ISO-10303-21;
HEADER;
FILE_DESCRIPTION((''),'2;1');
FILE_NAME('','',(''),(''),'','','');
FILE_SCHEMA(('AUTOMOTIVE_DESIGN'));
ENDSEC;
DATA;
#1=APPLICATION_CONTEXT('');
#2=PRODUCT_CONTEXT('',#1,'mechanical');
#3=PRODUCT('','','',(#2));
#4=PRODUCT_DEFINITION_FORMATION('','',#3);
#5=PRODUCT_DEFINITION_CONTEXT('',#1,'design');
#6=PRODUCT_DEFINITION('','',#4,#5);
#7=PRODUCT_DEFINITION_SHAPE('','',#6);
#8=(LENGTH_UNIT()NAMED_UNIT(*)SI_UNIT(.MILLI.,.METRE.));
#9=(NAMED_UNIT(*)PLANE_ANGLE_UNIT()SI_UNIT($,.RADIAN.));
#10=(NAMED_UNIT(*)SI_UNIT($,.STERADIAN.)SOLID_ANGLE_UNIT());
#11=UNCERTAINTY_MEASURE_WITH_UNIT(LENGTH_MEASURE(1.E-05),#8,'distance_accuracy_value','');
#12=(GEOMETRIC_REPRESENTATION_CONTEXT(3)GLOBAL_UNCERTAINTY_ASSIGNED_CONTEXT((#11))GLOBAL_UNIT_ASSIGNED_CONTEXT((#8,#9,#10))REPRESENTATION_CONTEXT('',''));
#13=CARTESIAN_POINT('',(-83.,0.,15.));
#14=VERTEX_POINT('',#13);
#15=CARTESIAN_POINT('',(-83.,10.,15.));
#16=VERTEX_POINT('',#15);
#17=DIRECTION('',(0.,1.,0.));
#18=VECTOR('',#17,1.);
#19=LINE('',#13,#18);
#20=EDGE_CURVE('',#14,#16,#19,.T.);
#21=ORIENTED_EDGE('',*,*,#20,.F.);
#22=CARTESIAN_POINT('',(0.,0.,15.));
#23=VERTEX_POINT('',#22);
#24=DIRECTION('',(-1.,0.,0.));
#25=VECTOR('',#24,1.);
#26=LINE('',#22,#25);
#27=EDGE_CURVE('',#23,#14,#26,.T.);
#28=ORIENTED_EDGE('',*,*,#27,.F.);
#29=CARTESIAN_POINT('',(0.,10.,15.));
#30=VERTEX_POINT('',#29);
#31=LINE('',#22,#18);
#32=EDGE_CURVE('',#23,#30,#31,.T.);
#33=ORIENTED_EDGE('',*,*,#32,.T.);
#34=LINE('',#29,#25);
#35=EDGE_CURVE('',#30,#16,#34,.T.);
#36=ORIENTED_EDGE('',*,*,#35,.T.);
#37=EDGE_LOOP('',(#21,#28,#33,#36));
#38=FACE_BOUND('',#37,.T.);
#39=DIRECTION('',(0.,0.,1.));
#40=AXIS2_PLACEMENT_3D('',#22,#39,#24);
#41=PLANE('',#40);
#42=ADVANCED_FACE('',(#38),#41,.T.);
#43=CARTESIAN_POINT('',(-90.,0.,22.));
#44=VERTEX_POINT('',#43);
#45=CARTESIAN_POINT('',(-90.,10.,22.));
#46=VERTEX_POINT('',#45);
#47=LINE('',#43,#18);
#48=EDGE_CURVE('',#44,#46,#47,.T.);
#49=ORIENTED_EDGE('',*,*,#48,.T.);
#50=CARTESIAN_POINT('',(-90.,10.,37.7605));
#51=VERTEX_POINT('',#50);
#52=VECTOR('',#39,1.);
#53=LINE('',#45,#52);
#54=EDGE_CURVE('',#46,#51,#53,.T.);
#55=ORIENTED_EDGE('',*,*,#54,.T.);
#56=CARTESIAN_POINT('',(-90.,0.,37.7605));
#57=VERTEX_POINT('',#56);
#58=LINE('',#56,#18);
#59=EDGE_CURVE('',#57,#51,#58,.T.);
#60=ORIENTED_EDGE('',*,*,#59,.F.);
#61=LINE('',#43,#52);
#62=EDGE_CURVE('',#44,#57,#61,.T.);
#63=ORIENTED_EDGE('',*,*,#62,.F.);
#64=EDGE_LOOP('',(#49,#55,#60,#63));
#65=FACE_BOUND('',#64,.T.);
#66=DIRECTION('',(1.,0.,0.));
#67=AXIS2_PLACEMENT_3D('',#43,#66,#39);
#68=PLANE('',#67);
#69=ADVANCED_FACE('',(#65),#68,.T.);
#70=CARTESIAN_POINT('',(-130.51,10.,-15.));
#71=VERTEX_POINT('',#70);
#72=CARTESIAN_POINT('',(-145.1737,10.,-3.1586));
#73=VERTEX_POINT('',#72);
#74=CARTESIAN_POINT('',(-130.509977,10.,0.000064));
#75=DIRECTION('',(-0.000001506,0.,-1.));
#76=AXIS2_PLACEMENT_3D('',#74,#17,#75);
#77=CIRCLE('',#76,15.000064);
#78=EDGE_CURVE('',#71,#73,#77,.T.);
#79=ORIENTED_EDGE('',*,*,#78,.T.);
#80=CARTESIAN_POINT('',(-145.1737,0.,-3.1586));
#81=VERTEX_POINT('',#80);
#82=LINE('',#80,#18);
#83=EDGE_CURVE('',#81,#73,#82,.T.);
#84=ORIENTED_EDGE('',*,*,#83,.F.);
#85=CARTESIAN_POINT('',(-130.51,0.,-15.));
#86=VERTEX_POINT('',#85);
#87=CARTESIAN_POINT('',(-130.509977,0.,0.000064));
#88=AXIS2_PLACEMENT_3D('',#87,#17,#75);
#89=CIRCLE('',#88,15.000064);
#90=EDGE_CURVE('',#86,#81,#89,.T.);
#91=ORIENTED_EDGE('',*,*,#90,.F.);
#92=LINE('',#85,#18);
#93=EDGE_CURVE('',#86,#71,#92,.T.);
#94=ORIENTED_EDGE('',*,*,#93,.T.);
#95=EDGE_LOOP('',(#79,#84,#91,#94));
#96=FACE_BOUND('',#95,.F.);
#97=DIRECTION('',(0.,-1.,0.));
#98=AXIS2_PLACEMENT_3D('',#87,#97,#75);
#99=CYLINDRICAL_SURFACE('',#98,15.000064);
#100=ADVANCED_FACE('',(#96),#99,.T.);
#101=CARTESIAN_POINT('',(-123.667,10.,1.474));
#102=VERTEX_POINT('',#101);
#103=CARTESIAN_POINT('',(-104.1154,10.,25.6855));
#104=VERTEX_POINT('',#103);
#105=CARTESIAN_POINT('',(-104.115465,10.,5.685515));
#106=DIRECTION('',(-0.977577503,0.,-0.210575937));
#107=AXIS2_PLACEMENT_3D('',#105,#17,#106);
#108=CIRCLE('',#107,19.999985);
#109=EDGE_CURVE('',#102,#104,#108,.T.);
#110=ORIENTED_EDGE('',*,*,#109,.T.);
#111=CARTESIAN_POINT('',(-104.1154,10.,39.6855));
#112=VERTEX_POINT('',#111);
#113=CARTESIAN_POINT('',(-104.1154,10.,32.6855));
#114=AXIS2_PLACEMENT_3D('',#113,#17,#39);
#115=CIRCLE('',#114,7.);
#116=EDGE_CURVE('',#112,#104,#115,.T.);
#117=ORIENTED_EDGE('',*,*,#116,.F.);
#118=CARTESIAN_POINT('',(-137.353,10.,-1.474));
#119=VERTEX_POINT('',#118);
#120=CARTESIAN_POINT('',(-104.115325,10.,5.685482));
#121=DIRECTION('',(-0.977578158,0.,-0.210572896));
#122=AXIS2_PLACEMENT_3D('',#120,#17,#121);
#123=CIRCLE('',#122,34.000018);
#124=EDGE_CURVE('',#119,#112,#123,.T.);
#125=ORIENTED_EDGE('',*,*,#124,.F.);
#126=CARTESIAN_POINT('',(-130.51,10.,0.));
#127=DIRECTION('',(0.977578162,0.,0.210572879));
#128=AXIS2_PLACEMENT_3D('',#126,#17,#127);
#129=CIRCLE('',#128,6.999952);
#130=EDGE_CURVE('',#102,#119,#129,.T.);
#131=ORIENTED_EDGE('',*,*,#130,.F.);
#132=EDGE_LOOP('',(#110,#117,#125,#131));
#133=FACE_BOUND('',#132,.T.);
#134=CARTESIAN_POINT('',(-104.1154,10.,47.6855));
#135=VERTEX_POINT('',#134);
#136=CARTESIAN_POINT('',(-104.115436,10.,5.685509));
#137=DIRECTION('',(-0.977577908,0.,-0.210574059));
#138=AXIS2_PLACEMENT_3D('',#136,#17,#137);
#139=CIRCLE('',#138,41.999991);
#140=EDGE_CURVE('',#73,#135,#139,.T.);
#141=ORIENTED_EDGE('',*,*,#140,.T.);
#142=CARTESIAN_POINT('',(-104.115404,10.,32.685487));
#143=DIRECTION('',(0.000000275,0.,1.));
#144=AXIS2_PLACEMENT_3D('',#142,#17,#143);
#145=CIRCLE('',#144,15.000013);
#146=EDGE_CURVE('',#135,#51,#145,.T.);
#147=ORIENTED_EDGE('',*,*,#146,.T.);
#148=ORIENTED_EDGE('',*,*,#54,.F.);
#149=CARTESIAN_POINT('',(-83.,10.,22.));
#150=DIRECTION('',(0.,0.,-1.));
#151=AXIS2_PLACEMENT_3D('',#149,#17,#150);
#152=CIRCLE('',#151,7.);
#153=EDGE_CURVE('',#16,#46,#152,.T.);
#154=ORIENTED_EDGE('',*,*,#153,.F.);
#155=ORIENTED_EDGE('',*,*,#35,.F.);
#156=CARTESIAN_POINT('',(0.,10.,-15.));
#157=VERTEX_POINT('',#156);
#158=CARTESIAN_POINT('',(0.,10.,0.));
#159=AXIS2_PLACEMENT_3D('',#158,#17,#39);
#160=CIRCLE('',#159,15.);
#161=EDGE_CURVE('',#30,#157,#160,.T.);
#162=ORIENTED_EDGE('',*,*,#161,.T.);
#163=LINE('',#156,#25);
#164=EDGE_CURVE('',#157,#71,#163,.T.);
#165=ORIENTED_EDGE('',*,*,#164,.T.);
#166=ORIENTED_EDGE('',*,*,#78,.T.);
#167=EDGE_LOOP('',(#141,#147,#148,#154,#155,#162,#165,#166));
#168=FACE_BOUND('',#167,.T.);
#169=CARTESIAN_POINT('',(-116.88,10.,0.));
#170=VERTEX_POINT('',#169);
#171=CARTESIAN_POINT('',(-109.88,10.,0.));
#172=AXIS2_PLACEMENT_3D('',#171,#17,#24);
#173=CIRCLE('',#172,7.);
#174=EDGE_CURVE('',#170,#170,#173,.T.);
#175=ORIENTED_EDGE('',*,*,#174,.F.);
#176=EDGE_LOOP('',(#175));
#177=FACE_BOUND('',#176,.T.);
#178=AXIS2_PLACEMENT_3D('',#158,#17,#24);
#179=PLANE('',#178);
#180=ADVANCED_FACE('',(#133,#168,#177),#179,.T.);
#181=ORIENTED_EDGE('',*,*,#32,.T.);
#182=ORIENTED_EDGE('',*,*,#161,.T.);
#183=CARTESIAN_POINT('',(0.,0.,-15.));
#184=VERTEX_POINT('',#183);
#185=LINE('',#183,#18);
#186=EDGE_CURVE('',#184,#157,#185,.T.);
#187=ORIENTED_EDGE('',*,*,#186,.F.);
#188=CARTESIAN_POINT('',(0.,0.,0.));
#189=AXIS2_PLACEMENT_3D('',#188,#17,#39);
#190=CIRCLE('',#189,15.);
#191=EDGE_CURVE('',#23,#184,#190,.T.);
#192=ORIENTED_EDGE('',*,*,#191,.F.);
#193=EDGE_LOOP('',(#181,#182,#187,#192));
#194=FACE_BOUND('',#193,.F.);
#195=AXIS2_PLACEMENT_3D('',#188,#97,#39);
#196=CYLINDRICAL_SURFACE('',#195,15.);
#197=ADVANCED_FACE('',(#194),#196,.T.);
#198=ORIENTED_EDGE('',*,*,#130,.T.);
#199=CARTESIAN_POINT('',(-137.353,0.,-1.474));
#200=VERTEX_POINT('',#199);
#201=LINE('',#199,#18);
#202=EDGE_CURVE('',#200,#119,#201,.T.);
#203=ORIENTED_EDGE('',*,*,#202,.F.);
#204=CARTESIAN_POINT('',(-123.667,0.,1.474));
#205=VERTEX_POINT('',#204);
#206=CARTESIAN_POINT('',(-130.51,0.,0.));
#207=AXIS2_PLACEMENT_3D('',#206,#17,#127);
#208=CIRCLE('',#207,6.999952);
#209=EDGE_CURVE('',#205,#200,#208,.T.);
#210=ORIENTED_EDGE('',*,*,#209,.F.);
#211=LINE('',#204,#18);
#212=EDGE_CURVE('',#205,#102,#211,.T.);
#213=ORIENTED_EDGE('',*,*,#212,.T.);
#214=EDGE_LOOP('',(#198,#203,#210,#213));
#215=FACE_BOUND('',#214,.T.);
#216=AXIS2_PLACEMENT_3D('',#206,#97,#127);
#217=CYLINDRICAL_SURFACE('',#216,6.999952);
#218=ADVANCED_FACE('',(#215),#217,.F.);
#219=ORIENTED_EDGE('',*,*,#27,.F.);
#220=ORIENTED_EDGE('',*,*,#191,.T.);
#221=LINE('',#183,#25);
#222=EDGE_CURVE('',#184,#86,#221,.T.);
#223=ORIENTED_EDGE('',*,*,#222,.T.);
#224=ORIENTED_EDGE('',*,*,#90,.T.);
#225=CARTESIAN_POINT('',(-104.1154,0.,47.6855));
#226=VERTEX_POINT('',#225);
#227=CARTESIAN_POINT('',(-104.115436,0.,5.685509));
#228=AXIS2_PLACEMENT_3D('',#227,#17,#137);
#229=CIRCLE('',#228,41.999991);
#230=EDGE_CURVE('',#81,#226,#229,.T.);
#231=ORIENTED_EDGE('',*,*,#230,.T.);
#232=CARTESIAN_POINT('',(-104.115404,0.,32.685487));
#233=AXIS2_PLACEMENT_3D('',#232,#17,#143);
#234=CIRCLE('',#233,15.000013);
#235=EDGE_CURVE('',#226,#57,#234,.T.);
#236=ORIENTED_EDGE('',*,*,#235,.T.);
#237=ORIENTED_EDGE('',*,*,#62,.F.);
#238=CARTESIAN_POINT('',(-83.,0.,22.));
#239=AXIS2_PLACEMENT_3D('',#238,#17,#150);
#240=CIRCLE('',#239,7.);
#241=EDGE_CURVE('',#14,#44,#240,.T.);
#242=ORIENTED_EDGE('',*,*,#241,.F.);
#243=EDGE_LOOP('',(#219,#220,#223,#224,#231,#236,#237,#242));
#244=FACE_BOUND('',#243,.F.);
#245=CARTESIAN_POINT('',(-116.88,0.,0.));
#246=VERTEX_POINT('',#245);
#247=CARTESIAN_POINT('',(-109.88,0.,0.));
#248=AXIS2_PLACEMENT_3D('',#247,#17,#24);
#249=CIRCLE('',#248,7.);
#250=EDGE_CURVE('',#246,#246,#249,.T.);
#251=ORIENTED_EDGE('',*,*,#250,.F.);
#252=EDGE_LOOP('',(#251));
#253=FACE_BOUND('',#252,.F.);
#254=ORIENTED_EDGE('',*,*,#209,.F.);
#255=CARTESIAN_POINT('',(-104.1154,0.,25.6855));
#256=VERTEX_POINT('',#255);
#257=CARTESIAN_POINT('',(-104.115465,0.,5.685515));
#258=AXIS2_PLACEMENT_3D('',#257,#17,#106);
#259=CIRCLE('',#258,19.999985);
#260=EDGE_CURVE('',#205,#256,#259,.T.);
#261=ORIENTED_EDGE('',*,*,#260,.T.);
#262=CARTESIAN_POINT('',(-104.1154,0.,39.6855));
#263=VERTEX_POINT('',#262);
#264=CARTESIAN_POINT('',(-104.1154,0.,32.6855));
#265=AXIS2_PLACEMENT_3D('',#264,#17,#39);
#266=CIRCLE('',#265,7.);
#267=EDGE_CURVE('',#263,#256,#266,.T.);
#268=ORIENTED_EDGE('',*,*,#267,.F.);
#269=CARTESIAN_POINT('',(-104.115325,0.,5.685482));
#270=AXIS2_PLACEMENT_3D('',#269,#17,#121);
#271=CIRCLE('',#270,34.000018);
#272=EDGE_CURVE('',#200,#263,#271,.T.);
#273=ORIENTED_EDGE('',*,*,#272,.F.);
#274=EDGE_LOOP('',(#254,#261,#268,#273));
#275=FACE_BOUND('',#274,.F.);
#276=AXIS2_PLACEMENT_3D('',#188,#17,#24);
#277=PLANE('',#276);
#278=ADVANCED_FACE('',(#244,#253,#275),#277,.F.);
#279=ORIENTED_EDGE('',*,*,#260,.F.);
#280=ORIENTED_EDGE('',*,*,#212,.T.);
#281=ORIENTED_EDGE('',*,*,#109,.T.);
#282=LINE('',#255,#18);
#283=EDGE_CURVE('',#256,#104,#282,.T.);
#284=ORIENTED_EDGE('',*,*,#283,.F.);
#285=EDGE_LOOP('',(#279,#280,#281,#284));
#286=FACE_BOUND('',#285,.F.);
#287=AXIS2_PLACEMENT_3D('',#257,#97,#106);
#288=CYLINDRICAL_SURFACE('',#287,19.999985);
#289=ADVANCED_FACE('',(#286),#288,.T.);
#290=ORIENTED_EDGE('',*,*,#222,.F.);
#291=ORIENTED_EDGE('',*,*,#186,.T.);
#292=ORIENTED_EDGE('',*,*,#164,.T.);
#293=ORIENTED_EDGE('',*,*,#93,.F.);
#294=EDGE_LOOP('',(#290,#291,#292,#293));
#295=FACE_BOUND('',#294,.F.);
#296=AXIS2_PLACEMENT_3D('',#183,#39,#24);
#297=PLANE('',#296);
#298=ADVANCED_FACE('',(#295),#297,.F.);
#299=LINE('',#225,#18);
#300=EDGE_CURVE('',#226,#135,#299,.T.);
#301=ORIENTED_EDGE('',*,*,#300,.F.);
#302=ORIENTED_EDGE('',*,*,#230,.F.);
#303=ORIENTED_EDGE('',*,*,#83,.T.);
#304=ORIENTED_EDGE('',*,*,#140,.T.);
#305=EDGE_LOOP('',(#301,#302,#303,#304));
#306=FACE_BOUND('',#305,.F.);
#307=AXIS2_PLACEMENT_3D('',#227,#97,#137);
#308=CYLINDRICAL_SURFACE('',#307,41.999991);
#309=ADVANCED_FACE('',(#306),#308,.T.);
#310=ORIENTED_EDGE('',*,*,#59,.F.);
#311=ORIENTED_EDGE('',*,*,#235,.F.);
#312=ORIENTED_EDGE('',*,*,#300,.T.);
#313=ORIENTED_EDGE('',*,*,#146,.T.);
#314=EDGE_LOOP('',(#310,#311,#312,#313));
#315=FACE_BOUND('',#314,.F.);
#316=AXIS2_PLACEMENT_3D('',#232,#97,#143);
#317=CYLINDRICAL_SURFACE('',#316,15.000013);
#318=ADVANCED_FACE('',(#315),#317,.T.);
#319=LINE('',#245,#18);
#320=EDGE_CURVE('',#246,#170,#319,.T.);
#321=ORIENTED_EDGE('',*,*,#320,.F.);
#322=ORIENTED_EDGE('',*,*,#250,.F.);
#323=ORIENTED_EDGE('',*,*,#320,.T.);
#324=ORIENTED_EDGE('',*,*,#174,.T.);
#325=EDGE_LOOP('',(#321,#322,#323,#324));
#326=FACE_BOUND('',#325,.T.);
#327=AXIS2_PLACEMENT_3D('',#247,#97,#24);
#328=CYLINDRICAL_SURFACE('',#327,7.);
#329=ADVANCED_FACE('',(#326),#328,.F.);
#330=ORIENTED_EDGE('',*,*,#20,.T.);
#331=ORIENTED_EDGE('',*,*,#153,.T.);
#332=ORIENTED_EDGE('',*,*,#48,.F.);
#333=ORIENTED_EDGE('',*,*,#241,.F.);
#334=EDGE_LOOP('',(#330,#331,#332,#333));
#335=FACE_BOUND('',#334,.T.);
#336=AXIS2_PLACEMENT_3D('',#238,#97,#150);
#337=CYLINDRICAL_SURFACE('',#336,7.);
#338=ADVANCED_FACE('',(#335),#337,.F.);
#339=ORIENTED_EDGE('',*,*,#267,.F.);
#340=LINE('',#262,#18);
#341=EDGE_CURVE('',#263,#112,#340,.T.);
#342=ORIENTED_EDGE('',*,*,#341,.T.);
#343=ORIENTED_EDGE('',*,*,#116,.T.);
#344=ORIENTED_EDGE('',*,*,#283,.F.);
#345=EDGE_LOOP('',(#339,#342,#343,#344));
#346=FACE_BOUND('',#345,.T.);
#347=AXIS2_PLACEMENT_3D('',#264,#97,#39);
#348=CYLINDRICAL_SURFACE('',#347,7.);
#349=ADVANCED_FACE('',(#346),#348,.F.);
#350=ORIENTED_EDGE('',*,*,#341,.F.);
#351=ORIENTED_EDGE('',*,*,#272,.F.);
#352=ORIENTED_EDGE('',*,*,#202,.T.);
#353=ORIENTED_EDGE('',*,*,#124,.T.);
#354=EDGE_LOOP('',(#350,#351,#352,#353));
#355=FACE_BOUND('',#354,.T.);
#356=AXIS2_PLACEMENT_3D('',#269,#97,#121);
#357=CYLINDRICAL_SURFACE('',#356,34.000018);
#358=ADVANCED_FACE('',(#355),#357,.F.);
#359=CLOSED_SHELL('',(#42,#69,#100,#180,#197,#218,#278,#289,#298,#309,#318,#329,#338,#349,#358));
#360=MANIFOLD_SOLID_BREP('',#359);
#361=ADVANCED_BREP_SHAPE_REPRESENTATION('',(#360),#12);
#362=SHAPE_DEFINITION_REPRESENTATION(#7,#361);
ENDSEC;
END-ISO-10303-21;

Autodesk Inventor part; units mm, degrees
ref_plane "YZ Plane" through (0, 0, 0) normal (1, 0, 0) x (0, 1, 0)
ref_plane "XZ Plane" through (0, 0, 0) normal (0, 1, 0) x (-1, 0, 0)
ref_plane "XY Plane" through (0, 0, 0) normal (0, 0, 1) x (1, 0, 0)
sketch "Sketch1" plane through (0, 0, 0) normal (0, 1, 0) x (-1, 0, 0)
  arc A0 (0, 15) -> (0, -15) centre (0, 0) ccw
  line L0 (0, -15) -> (130.51, -15)
  line L1 (0, 15) -> (83, 15)
  arc A1 (130.51, -15) -> (145.1737, -3.1586) centre (130.51, 0) ccw
  arc A2 (123.667, 1.474) -> (137.353, -1.474) centre (130.51, 0) ccw
  circle A3 centre (109.88, 0) radius 7
  arc A4 (123.667, 1.474) -> (104.1154, 25.6855) centre (104.1154, 5.6855) ccw
  arc A5 (104.1154, 39.6855) -> (104.1154, 25.6855) centre (104.1154, 32.6855) ccw
  arc A6 (137.353, -1.474) -> (104.1154, 39.6855) centre (104.1154, 5.6855) ccw
  arc A7 (104.1154, 47.6855) -> (90, 37.7605) centre (104.1154, 32.6855) ccw
  line L2 (90, 22) -> (90, 37.7605)
  arc A8 (145.1737, -3.1586) -> (104.1154, 47.6855) centre (104.1154, 5.6855) ccw
  arc A9 (83, 15) -> (90, 22) centre (83, 22) ccw
  point P0 (90, 15)
  dimension "d0" = 30
  dimension "d1" = 130.51
  dimension "d2" = 90
  dimension "d3" = 15
  dimension "d4" = 14
  dimension "d5" = 20.63
  dimension "d6" = 14
  dimension "d9" = 20
  dimension "d11" = 14
  dimension "d12" = 15
  dimension "d13" = 42
  dimension "d14" = 7
extrude "Extrusion1" add sketch "Sketch1" along normal blind 10
properties part number "Assignment#1"
